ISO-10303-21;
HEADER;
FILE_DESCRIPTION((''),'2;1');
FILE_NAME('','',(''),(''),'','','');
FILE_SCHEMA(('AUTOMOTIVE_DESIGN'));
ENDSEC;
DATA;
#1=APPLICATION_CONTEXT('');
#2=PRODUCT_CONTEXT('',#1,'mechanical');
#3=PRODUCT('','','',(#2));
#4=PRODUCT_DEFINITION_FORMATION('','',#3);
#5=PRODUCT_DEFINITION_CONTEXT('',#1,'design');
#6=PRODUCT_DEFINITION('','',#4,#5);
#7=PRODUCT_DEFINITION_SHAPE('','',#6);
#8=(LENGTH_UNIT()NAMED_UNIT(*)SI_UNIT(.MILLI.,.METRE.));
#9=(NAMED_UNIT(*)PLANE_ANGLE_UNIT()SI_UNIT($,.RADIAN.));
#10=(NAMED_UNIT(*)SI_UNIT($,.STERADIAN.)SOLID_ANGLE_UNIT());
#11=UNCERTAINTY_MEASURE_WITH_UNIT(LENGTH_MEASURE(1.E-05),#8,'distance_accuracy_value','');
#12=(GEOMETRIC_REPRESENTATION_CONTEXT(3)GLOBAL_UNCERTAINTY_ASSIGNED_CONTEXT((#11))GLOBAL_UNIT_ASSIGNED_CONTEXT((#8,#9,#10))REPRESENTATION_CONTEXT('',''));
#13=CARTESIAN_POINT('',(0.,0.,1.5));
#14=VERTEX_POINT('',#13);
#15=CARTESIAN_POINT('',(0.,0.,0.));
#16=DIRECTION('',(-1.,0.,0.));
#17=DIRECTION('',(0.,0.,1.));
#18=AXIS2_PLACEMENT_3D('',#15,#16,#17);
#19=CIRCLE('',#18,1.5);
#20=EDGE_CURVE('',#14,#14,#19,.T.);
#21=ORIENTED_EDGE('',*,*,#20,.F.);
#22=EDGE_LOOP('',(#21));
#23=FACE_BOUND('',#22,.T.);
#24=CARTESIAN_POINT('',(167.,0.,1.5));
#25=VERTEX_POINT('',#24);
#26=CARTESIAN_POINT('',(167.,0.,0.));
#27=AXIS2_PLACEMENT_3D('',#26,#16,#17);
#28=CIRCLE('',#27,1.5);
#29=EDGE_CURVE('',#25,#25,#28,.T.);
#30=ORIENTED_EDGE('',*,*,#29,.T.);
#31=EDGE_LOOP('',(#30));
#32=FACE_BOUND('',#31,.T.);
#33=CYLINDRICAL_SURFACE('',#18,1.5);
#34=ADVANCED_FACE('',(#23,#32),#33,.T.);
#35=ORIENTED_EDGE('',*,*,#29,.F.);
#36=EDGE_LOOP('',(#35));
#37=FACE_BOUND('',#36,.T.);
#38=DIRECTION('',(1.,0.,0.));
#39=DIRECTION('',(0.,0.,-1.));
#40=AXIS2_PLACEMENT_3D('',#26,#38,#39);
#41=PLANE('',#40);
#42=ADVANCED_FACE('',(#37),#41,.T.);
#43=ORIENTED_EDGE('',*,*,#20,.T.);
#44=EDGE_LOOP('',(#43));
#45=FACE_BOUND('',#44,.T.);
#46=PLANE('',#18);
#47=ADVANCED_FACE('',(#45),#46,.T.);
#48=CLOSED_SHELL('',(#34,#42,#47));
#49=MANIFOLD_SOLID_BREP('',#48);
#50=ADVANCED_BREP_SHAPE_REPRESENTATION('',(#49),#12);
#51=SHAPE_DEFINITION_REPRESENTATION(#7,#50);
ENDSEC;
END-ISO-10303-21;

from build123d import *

# Parameters (mm, degrees)
SKETCH1_W = 167
SKETCH1_H = 1.5


with BuildPart() as part:
    # Sketch1 → Revolve1 (revolve)
    with BuildSketch(Plane.XY):
        with Locations((83.5, -0.75)):
            Rectangle(SKETCH1_W, SKETCH1_H)
    revolve(axis=Axis((0, 0, 0), (1, 0, 0)))


solid = part.part
